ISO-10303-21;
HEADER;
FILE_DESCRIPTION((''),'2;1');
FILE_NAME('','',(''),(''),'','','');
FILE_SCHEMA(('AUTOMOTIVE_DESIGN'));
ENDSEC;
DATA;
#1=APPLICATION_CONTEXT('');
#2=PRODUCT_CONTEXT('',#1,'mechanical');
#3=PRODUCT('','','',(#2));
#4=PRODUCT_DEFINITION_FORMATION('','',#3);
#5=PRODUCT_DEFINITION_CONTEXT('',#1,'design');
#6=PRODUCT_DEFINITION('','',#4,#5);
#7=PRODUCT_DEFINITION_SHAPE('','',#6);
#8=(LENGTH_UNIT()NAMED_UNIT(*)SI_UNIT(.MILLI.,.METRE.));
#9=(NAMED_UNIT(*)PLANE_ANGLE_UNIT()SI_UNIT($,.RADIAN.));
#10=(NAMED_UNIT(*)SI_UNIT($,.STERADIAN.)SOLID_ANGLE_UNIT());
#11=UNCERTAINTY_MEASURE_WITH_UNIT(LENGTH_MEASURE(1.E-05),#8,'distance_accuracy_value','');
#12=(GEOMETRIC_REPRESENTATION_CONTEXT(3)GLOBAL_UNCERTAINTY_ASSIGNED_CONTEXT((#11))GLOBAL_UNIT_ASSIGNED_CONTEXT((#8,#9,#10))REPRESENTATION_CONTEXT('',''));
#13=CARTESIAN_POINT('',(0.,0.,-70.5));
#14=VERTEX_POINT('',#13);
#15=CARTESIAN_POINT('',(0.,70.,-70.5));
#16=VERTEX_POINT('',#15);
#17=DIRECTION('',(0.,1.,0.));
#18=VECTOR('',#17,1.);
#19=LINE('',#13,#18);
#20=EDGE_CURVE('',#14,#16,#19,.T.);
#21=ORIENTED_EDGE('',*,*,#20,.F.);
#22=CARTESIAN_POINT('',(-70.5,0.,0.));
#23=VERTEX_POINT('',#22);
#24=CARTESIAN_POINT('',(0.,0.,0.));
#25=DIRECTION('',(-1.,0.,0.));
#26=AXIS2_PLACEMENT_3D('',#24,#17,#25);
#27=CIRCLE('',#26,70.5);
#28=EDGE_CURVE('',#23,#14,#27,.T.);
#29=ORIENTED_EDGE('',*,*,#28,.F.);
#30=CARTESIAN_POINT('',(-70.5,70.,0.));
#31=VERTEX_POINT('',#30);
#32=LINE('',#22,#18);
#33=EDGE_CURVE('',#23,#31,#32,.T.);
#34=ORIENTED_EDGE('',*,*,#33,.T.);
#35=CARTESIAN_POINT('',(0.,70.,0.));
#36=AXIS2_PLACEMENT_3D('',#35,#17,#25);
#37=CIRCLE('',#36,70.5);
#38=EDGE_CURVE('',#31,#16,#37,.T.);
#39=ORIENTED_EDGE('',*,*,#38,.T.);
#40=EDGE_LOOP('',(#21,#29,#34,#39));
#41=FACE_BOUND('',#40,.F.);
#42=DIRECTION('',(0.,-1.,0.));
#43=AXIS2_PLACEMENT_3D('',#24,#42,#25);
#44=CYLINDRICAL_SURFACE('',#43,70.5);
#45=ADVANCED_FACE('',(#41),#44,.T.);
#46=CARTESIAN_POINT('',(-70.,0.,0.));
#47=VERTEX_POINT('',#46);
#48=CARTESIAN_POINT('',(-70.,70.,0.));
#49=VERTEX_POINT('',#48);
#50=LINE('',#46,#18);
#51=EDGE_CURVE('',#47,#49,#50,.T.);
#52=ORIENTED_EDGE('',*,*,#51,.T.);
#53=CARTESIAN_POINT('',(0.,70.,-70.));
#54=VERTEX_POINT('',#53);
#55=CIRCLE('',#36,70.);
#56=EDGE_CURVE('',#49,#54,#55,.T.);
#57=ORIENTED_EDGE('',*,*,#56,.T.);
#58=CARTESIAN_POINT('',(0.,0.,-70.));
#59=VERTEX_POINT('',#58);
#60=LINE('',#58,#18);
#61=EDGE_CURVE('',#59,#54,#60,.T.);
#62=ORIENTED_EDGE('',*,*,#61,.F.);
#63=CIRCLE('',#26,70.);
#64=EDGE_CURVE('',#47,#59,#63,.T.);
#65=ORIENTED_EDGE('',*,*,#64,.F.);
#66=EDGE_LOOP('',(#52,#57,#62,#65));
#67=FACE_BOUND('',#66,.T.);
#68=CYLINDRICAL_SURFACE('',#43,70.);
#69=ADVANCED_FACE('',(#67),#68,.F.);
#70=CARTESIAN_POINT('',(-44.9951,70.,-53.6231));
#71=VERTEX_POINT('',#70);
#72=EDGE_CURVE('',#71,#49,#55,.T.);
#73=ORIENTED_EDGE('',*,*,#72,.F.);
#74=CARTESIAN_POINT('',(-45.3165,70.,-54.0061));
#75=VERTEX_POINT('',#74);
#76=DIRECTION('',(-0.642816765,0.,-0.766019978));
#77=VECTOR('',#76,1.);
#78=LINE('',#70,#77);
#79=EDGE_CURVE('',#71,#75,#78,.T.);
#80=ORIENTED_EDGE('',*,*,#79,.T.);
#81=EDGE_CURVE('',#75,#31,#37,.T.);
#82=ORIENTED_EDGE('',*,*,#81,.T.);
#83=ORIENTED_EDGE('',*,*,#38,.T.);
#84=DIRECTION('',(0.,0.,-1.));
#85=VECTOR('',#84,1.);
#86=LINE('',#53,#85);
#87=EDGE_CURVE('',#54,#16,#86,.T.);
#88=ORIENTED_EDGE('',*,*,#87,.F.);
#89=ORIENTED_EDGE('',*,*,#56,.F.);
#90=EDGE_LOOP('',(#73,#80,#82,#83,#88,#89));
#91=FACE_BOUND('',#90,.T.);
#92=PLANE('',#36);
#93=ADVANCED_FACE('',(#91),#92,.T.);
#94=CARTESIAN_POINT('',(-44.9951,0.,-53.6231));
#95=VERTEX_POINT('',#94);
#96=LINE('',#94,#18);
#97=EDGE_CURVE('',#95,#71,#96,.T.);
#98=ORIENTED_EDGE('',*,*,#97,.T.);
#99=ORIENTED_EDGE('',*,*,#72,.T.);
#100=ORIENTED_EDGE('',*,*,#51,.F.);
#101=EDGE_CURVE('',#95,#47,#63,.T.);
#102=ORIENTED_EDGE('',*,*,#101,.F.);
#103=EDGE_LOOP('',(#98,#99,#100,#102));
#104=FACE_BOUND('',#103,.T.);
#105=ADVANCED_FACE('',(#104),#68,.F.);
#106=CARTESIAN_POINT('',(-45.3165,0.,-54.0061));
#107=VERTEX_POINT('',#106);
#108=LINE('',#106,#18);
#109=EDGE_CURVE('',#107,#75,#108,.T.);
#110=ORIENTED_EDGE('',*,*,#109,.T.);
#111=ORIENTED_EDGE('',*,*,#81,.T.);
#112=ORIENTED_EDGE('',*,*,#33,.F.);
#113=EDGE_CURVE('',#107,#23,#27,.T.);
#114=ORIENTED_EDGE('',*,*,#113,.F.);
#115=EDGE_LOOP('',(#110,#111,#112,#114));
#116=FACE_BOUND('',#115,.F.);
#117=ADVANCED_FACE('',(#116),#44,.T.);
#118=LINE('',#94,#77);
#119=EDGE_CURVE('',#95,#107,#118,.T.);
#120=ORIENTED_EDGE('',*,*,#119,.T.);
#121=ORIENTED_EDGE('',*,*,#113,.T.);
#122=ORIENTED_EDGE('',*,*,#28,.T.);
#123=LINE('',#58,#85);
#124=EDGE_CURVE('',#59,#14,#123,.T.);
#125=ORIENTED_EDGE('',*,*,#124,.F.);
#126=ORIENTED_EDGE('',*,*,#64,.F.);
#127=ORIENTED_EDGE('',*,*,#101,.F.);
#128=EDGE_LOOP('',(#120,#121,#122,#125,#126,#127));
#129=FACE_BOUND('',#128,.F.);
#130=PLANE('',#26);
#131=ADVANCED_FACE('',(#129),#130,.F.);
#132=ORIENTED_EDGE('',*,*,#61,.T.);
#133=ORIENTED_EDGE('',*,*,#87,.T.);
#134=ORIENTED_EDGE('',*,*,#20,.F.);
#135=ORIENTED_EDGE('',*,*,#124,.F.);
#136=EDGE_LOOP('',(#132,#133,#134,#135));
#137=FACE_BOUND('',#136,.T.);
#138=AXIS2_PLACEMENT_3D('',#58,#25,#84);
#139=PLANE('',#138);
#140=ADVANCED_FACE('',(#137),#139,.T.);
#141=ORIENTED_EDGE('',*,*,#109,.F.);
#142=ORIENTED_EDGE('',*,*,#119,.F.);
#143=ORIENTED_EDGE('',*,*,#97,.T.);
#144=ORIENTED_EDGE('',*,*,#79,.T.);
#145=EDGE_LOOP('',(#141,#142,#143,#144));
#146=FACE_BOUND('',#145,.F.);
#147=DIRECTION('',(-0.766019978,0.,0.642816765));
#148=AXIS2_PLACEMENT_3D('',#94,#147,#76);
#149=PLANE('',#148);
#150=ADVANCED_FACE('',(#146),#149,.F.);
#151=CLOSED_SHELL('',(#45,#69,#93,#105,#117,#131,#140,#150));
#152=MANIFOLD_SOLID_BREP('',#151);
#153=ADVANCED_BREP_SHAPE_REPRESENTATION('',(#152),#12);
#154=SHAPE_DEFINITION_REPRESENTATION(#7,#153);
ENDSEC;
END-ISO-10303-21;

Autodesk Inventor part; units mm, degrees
ref_plane "YZ Plane" through (0, 0, 0) normal (1, 0, 0) x (0, 1, 0)
ref_plane "XZ Plane" through (0, 0, 0) normal (0, 1, 0) x (-1, 0, 0)
ref_plane "XY Plane" through (0, 0, 0) normal (0, 0, 1) x (1, 0, 0)
sketch "Sketch1" plane through (0, 0, 0) normal (0, 1, 0) x (-1, 0, 0)
  circle A0 centre (0, 0) radius 70
  circle A1 centre (0, 0) radius 70.5
  line L0 (44.9951, -53.6231) -> (45.3165, -54.0061)
  line L1 (0, -70) -> (0, -70.5)
  line L2 (0, 0) -> (45.1558, -53.8146) construction
  point P0 (0, -70.25)
  dimension "d0" = 140
  dimension "d1" = 141
  dimension "d4" = 40
extrude "Extrusion1" add sketch "Sketch1" along normal blind 70 contours A0 L1 A1 L0 picked at (23.1516, 66.1792)
properties part number "OBSTRUCCION_VISUAL" material "MDF Medium Density Fiberboard"
